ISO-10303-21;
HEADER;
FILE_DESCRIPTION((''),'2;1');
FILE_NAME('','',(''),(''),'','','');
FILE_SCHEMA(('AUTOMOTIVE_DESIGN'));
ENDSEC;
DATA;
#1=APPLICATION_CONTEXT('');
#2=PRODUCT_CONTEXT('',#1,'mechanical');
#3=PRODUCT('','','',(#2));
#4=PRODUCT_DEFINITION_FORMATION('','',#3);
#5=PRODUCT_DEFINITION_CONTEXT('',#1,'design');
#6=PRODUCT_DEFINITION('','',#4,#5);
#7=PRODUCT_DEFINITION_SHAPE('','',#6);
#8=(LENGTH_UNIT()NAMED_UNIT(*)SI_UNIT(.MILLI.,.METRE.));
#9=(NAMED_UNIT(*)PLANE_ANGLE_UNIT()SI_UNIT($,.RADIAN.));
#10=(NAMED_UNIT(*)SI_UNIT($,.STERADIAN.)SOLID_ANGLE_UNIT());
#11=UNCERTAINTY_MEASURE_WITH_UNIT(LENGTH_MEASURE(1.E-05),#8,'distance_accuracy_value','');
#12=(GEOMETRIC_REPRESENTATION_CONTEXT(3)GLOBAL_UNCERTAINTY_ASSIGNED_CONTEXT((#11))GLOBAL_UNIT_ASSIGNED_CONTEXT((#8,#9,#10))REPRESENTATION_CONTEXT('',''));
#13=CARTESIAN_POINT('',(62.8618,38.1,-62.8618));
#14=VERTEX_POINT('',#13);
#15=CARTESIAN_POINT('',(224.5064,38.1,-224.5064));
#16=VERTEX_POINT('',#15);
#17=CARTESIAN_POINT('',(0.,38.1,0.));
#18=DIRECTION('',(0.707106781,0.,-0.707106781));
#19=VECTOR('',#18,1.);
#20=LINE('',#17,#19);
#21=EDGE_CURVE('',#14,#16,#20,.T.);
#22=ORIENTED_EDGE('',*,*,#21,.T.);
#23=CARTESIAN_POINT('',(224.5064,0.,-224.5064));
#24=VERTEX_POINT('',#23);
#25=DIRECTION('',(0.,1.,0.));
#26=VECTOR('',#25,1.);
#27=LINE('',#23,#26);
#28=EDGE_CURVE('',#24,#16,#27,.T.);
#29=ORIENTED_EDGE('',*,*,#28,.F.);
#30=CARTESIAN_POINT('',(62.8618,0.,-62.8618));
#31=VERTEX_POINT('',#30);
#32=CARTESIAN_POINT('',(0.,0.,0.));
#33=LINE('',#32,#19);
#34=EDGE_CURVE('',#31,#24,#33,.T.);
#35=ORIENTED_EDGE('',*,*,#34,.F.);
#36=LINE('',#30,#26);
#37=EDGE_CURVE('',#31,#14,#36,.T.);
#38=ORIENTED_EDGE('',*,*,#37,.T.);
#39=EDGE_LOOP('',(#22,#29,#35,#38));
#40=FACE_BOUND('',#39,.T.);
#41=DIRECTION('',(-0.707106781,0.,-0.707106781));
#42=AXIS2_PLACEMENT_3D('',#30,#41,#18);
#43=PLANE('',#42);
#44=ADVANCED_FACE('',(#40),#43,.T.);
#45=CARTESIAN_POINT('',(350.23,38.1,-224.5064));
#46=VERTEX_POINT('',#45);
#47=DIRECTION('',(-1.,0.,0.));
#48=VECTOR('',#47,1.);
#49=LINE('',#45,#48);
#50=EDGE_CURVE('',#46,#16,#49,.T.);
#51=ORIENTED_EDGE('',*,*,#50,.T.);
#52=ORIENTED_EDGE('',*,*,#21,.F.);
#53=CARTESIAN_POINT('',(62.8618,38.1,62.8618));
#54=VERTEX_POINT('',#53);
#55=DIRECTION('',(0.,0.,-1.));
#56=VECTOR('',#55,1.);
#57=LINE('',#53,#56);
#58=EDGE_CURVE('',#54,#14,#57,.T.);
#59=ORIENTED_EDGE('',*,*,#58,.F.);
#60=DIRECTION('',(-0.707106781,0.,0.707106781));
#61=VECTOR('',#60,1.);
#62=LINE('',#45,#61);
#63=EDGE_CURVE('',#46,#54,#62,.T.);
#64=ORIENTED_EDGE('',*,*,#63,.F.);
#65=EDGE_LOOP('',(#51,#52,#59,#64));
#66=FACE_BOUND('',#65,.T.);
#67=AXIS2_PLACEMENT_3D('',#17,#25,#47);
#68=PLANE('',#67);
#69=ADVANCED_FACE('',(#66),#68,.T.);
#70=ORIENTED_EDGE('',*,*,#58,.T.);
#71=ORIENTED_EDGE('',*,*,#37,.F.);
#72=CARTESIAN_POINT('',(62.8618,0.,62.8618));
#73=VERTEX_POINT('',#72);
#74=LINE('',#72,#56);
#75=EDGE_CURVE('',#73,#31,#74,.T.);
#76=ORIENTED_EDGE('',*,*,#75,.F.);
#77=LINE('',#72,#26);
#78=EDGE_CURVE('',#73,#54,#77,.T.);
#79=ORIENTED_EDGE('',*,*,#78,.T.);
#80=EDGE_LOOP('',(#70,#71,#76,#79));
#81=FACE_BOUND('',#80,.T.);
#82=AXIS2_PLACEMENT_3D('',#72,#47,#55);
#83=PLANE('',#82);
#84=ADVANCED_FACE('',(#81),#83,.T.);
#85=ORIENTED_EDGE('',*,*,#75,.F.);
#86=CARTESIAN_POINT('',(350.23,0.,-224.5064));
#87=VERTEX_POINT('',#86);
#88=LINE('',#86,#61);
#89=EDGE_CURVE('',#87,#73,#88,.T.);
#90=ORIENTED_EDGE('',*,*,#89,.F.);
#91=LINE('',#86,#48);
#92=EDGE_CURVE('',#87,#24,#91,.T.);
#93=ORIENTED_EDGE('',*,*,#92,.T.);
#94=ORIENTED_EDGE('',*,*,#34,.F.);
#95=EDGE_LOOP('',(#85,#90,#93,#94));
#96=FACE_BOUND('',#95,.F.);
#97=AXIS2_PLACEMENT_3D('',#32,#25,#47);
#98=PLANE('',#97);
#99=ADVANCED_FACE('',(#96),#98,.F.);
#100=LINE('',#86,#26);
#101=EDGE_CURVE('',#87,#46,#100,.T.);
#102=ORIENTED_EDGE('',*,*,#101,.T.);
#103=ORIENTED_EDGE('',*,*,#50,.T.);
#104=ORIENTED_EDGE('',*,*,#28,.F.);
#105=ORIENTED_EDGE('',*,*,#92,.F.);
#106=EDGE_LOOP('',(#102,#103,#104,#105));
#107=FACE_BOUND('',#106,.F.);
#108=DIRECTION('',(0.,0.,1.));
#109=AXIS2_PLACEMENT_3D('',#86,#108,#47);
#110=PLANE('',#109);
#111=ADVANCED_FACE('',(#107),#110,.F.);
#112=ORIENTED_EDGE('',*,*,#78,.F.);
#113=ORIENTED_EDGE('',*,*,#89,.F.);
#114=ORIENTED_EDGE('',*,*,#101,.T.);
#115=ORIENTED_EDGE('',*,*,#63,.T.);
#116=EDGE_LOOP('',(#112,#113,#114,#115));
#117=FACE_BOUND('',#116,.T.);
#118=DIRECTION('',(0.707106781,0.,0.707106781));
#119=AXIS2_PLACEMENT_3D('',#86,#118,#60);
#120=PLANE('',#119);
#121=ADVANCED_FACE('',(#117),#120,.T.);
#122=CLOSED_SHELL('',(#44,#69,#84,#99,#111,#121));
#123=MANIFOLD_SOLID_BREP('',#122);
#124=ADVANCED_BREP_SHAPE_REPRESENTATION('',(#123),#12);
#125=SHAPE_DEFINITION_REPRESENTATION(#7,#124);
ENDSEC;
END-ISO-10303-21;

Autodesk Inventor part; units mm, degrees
ref_plane "YZ Plane" through (0, 0, 0) normal (1, 0, 0) x (0, 1, 0)
ref_plane "XZ Plane" through (0, 0, 0) normal (0, 1, 0) x (-1, 0, 0)
ref_plane "XY Plane" through (0, 0, 0) normal (0, 0, 1) x (1, 0, 0)
sketch "Sketch1" plane through (0, 0, 0) normal (0, 1, 0) x (-1, 0, 0)
  line L0 (0, 0) -> (-287.3682, -287.3682)
  line L1 (0, 0) -> (406.4, 0) construction
  line L2 (-287.3682, -287.3682) -> (-350.23, -224.5064)
  line L3 (-350.23, -224.5064) -> (-62.8618, 62.8618)
  line L4 (-62.8618, 62.8618) -> (0, 0)
  line L5 (-62.8618, 62.8618) -> (-62.8618, -62.8618)
  line L6 (-350.23, -224.5064) -> (-224.5064, -224.5064)
  dimension "d0" = 406.4
  dimension "d1" = 135
  dimension "d2" = 88.9
extrude "Extrusion1" add sketch "Sketch1" along normal blind 38.1 contours L0 L6 L3 L5
properties part number "L Support Joist"
